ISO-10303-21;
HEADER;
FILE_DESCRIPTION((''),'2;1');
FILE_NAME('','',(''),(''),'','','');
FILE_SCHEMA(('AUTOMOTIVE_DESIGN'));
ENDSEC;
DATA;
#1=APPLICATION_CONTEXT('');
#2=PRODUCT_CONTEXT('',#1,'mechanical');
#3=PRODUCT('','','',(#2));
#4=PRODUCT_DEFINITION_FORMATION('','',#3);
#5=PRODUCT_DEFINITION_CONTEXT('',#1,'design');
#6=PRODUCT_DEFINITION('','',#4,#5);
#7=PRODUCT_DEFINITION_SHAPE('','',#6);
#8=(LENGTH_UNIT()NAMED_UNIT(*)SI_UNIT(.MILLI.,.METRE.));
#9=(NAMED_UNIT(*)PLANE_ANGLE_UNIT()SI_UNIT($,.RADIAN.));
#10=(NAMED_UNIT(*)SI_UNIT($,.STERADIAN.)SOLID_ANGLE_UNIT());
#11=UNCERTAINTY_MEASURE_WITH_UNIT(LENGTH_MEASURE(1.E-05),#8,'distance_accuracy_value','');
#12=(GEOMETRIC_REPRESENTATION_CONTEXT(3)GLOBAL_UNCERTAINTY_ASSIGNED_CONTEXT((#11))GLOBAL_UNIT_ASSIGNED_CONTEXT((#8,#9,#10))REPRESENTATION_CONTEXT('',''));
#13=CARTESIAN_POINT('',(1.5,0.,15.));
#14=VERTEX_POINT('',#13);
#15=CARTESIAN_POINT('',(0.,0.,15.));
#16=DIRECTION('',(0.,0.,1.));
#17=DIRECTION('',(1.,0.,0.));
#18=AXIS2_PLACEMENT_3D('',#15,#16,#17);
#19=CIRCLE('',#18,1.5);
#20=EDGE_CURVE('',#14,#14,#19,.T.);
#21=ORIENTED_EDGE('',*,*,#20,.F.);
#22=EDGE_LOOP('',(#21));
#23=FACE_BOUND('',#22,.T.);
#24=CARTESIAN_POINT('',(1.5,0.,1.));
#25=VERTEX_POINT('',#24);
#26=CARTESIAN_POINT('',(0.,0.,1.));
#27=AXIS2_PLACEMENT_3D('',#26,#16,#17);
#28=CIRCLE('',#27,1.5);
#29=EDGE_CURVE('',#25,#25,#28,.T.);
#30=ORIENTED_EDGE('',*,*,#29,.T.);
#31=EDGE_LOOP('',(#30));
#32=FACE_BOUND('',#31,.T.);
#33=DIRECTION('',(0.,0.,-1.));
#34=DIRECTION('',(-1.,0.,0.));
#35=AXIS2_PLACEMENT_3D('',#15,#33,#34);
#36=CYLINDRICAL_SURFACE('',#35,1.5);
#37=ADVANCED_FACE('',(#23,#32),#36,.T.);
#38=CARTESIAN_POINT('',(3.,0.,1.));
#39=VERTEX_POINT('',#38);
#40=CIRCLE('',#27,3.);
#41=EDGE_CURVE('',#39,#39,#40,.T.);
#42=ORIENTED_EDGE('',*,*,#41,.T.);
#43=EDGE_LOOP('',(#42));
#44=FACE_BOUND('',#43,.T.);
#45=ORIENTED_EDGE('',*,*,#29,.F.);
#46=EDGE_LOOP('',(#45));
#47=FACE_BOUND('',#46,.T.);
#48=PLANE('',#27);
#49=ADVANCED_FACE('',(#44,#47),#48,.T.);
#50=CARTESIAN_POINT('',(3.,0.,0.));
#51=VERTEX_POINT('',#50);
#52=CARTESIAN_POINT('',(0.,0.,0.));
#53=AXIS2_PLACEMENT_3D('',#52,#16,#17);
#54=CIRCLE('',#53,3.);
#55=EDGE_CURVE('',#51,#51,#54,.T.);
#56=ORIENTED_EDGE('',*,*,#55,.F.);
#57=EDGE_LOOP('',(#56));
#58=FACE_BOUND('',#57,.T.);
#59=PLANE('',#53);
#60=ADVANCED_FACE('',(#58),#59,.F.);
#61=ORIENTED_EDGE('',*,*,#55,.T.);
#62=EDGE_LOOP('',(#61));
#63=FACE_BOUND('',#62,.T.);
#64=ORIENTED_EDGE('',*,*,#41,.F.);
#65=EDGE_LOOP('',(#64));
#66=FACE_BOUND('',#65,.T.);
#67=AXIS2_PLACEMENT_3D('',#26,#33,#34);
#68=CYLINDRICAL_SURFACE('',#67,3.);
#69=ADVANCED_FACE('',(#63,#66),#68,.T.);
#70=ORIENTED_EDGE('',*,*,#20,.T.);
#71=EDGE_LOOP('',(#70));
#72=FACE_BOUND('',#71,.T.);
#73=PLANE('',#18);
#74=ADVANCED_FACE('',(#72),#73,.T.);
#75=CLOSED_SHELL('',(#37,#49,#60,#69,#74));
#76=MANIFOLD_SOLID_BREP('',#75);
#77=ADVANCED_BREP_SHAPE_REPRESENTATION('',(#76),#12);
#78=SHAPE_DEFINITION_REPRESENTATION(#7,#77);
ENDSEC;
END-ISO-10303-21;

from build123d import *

# Parameters (mm, degrees)
SKETCH_1_R      = 3
EXTRUDE_1_DEPTH = 1
SKETCH_2_R      = 1.5
EXTRUDE_2_DEPTH = 14


with BuildPart() as part:
    # 草图1 → 凸台-拉伸1 (new body)
    with BuildSketch(Plane.XY):
        Circle(SKETCH_1_R)
    extrude(amount=EXTRUDE_1_DEPTH)

    # 草图2 → 凸台-拉伸2 (add)
    with BuildSketch(Plane.XY.offset(1)):
        Circle(SKETCH_2_R)
    extrude(amount=EXTRUDE_2_DEPTH)


solid = part.part
